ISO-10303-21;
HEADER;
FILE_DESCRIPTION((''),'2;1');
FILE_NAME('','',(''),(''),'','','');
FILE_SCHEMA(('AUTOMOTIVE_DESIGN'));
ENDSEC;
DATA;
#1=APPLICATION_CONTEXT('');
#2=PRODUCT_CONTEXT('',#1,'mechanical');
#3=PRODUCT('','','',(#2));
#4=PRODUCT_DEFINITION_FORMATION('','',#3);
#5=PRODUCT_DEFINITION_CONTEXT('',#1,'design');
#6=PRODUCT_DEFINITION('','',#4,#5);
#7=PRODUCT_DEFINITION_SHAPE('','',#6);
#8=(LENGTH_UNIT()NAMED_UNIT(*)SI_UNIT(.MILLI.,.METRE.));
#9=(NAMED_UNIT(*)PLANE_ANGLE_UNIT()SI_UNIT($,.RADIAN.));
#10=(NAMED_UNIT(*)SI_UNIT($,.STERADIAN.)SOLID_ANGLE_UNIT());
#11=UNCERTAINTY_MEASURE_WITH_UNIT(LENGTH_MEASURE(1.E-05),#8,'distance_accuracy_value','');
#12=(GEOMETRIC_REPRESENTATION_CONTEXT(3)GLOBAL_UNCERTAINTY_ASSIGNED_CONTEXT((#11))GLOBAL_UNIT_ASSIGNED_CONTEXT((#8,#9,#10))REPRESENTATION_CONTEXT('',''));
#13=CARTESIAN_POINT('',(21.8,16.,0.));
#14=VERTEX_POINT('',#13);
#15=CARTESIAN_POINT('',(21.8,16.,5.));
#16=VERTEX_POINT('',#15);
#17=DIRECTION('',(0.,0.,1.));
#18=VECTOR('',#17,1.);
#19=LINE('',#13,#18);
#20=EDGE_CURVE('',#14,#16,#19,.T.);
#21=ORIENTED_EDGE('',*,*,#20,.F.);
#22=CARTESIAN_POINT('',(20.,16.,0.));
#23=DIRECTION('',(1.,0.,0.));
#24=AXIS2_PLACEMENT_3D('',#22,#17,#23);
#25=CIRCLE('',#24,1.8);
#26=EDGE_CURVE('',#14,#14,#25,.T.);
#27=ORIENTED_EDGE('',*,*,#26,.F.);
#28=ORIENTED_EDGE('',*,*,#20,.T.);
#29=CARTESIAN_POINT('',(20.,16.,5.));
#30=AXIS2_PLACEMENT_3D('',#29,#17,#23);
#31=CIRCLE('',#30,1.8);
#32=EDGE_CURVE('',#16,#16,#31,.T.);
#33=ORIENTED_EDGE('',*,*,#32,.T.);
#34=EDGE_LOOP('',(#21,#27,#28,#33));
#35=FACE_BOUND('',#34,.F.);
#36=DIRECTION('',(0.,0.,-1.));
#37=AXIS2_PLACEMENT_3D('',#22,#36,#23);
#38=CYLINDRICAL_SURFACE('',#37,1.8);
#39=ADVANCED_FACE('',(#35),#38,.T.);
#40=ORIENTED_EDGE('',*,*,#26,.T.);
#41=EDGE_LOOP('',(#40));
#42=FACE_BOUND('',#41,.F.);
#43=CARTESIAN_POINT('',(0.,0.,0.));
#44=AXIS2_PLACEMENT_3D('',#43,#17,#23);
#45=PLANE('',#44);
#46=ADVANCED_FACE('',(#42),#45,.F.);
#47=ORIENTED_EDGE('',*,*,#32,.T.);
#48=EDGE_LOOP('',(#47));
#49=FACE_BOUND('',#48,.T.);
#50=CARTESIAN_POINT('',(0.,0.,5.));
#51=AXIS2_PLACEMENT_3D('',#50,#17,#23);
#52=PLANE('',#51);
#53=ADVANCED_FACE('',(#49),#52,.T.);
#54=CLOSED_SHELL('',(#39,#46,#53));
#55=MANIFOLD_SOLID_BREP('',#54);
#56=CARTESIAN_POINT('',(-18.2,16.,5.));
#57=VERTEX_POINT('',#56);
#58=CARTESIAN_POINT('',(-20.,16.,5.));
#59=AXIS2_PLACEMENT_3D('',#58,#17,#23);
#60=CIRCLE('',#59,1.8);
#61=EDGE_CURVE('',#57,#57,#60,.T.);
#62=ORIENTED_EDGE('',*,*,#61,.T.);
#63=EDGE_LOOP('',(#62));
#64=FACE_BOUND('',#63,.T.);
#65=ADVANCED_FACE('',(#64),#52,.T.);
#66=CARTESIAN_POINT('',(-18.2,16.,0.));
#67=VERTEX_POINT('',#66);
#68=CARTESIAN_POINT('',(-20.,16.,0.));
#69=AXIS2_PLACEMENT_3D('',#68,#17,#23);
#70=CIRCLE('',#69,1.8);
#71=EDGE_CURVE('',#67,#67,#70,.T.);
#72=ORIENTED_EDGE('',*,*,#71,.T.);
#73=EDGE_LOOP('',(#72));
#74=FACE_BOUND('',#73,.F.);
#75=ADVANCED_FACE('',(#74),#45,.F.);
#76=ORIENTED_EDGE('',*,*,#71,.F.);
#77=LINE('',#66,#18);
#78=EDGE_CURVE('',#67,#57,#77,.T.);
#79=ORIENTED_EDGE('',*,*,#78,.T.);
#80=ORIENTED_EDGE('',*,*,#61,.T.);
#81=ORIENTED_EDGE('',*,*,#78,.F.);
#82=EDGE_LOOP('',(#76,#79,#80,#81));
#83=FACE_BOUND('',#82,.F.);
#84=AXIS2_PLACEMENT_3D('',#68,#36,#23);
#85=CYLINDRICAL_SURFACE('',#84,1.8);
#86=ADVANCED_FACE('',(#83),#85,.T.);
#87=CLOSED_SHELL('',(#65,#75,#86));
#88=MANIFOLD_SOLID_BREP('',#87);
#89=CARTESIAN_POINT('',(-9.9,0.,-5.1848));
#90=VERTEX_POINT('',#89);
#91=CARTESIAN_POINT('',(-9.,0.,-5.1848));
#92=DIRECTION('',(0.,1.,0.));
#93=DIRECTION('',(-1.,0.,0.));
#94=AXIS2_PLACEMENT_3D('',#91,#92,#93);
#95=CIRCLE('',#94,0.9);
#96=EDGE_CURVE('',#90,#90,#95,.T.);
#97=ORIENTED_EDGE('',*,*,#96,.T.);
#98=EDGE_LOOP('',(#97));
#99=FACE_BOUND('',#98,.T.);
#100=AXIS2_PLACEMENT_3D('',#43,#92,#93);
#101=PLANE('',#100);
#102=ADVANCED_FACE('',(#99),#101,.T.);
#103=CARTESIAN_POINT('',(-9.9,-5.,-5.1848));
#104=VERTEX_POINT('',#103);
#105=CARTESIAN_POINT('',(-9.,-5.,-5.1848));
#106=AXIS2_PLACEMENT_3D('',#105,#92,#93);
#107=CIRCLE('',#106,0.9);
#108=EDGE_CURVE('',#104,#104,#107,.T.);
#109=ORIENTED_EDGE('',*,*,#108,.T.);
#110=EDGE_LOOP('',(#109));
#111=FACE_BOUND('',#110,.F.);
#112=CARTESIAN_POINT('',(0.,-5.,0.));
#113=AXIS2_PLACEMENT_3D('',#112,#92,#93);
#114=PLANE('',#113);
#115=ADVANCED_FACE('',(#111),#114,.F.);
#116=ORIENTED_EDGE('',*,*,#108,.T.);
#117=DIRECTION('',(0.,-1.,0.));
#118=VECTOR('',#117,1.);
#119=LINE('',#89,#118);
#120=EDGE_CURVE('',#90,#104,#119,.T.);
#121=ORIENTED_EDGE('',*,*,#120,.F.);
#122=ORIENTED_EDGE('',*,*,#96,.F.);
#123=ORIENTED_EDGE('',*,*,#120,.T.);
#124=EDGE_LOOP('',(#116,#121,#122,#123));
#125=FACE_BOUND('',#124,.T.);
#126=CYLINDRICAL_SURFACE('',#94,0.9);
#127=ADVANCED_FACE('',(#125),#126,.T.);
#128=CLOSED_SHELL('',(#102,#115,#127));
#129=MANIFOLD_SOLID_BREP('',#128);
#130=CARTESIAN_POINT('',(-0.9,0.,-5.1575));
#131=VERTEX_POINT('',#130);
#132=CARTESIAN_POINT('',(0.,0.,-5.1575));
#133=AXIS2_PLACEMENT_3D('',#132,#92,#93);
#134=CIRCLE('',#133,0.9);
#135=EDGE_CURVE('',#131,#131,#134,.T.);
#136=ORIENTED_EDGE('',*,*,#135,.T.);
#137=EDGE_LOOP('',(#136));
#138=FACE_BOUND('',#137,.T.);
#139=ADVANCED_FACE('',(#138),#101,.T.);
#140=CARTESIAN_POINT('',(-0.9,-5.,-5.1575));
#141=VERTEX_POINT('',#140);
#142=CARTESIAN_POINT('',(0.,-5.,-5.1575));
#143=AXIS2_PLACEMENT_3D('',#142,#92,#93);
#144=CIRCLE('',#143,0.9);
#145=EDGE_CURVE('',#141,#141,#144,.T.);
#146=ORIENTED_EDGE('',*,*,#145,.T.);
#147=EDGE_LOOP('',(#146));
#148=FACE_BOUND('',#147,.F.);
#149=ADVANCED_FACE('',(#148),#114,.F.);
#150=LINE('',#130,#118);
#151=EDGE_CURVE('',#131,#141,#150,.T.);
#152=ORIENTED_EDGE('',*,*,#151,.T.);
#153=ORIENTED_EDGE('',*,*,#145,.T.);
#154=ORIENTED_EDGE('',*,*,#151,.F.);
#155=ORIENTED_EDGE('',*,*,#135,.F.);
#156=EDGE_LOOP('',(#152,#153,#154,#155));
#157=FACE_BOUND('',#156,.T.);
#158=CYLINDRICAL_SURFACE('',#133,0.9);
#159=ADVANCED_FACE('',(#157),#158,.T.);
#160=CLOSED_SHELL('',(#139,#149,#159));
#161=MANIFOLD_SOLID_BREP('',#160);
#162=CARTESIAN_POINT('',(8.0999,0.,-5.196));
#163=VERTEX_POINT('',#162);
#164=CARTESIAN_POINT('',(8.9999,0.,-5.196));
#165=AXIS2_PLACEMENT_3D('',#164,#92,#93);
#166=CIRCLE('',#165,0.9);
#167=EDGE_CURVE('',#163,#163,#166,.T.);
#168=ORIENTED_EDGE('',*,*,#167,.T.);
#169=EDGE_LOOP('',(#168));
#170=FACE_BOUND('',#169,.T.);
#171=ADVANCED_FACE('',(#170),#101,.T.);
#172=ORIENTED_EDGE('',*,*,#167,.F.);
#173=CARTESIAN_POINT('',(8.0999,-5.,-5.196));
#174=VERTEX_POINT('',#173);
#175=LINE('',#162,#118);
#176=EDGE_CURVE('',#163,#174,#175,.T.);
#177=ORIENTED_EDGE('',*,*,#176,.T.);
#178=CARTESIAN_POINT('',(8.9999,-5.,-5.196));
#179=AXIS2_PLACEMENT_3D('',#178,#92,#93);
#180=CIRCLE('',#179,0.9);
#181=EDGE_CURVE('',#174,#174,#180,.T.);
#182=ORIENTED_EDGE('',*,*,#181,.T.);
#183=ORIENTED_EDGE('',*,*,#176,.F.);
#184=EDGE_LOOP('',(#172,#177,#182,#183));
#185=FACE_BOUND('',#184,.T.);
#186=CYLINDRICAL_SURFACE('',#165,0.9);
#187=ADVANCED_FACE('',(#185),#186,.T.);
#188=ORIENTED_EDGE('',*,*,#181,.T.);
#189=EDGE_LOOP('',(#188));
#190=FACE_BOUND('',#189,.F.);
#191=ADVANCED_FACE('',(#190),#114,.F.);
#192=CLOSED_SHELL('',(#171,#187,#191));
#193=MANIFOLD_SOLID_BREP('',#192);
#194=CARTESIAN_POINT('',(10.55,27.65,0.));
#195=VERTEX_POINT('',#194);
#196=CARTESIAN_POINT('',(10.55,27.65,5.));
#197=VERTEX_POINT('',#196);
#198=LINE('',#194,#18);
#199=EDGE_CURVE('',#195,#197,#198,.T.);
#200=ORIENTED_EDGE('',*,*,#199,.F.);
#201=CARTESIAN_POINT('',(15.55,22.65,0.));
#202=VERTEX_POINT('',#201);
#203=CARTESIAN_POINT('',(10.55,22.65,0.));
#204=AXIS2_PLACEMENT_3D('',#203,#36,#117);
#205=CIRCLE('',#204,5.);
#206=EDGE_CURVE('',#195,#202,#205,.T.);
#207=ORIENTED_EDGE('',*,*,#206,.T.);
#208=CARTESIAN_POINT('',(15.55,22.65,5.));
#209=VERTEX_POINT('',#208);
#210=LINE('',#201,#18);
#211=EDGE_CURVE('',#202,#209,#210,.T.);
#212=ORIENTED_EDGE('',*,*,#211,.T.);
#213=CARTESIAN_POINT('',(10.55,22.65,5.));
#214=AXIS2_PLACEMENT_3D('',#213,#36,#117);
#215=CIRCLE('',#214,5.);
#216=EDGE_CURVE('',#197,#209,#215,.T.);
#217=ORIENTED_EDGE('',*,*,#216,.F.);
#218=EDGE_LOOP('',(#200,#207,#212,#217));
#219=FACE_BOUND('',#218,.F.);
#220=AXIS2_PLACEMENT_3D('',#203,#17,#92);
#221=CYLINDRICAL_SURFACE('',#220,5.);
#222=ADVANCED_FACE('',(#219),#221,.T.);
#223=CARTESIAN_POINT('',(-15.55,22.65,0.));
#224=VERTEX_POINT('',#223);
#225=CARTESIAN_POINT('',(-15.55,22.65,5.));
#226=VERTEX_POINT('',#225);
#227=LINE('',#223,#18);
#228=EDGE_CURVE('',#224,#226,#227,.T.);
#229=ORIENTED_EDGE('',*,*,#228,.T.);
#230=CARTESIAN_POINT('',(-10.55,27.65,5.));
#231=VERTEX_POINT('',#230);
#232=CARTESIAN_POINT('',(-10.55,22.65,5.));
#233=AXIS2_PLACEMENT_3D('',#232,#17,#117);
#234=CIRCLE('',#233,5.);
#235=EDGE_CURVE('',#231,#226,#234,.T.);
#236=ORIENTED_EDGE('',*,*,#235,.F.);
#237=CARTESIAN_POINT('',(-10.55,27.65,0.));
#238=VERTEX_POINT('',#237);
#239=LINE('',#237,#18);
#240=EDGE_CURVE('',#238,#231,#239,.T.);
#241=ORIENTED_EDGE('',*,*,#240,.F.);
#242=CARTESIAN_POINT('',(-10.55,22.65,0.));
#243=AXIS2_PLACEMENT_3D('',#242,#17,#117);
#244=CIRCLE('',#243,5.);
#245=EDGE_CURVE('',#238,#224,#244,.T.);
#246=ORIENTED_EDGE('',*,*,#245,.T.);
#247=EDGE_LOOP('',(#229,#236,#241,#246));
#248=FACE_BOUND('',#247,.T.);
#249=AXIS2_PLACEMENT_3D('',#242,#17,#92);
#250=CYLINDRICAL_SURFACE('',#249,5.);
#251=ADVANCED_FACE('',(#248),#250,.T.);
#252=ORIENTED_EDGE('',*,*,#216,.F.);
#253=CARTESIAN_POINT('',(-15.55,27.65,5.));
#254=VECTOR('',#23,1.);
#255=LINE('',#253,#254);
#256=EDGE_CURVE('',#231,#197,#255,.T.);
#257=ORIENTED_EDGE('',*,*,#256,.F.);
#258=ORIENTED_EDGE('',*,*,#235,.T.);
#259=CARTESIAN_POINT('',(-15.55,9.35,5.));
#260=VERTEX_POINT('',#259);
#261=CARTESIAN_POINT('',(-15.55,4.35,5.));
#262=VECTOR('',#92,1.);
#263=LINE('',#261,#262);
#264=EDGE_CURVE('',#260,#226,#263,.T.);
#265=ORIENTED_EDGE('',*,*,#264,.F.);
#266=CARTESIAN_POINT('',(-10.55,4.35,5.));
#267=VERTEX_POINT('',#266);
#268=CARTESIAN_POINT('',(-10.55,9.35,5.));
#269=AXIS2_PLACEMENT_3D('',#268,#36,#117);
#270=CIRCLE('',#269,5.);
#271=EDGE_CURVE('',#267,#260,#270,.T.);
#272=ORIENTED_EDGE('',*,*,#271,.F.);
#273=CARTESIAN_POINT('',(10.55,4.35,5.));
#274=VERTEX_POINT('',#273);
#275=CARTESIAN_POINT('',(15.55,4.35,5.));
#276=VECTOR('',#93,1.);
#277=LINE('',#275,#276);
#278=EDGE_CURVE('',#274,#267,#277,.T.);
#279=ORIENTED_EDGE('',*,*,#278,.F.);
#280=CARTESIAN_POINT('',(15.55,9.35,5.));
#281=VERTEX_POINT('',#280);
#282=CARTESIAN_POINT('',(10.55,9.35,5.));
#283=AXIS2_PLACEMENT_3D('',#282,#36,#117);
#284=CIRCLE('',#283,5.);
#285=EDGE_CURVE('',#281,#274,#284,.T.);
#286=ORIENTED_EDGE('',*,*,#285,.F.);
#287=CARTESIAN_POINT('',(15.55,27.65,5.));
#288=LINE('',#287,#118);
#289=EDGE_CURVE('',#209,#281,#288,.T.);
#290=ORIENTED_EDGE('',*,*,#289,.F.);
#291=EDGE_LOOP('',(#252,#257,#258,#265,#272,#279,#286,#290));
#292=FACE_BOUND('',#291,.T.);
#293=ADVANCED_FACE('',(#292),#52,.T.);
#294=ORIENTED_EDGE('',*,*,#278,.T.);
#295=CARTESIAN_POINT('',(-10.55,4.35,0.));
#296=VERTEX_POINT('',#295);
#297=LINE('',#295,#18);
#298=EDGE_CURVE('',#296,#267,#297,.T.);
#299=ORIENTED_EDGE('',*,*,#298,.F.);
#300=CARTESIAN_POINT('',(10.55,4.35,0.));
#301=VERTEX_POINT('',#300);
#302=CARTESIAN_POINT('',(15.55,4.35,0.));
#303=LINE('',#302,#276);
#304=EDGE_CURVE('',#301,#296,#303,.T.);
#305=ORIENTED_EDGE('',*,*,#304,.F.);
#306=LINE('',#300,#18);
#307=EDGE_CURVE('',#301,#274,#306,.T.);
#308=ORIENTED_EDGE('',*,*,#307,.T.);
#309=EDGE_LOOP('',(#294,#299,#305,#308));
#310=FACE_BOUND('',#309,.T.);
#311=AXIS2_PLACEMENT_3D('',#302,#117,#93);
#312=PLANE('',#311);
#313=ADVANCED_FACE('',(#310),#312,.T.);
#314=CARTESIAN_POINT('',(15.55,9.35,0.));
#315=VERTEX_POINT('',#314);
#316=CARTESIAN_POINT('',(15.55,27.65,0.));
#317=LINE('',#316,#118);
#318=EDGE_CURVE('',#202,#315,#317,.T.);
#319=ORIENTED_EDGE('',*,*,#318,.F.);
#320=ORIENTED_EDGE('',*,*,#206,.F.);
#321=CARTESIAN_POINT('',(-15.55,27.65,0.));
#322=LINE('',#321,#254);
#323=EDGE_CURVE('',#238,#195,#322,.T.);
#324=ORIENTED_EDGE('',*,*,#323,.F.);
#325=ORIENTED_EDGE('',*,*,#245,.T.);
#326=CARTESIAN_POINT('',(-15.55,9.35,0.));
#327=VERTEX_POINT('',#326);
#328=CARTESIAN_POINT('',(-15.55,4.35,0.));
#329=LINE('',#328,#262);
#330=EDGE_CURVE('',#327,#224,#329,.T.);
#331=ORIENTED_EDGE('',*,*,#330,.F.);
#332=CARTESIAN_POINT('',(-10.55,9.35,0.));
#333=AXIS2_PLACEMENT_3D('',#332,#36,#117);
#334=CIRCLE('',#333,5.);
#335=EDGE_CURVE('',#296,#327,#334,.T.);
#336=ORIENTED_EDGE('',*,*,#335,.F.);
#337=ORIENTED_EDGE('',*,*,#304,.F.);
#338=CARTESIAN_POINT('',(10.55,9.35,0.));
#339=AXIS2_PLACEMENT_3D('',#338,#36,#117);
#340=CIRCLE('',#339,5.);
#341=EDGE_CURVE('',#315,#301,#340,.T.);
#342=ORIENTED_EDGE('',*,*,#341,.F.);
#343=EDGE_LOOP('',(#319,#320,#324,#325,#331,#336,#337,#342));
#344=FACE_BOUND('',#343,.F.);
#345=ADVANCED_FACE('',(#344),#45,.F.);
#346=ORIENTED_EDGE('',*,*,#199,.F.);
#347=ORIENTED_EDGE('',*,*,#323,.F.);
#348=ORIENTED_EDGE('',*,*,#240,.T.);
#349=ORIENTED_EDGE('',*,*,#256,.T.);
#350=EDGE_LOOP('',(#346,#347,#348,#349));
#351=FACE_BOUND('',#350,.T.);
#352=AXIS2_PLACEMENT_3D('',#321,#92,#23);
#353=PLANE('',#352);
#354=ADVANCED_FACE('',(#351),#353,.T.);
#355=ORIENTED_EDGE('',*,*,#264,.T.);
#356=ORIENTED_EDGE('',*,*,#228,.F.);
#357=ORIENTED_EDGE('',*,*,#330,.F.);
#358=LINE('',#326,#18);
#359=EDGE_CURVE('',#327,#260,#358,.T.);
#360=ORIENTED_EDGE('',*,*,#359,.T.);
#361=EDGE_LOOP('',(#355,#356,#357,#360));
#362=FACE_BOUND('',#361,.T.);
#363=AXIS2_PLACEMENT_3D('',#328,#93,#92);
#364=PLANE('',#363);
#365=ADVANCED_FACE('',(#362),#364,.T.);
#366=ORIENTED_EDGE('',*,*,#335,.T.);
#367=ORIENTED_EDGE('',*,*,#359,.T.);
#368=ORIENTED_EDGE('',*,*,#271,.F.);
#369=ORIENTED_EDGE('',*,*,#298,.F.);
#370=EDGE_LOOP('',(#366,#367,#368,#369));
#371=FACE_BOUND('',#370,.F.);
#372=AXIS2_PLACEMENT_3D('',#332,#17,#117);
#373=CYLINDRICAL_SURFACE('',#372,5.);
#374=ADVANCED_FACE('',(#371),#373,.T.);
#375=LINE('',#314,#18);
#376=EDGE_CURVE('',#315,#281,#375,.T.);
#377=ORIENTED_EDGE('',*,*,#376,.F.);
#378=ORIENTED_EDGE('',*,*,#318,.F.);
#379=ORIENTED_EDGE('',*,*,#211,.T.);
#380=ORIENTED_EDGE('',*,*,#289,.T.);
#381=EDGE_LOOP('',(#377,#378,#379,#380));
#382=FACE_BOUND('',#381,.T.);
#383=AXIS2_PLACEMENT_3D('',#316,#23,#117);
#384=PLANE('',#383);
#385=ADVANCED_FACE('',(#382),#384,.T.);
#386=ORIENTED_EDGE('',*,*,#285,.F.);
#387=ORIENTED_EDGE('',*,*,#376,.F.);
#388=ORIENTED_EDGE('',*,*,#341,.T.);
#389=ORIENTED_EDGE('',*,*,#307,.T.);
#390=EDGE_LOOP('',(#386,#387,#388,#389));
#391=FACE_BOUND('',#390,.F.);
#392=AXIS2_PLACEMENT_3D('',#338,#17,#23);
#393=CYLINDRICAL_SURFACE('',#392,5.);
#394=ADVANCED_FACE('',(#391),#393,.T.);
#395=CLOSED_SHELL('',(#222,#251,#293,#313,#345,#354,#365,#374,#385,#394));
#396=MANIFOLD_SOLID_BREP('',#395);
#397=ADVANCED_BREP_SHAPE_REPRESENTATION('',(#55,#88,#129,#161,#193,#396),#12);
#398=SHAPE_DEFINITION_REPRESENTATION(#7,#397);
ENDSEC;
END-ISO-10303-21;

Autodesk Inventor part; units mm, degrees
ref_plane "YZ Plane" through (0, 0, 0) normal (1, 0, 0) x (0, 1, 0)
ref_plane "XZ Plane" through (0, 0, 0) normal (0, 1, 0) x (-1, 0, 0)
ref_plane "XY Plane" through (0, 0, 0) normal (0, 0, 1) x (1, 0, 0)
sketch "Sketch1" plane through (0, 0, 0) normal (0, 0, 1) x (1, 0, 0)
  line L0 (-15.55, 27.65) -> (15.55, 27.65)
  line L1 (15.55, 27.65) -> (15.55, 4.35)
  line L2 (15.55, 4.35) -> (-15.55, 4.35)
  line L3 (-15.55, 4.35) -> (-15.55, 27.65)
  circle A0 centre (20, 16) radius 1.8
  circle A1 centre (-20, 16) radius 1.8
  point P0 (0, 0)
  dimension "d0" = 23.3
  dimension "d1" = 31.1
  dimension "d3" = 15.55
  dimension "d4" = 40
  dimension "d5" = 20
  dimension "d6" = 3.6
  dimension "d7" = 3.6
  dimension "d8" = 11.65
  dimension "d9" = 11.65
  dimension "d10" = 16
extrude "Extrusion1" add sketch "Sketch1" along normal blind 5
fillet "Fillet1" radius 5 1 edges at (15.55, 27.65, 2.5)
fillet "Fillet2" radius 5 1 edges at (-15.55, 27.65, 2.5)
fillet "Fillet3" radius 5 1 edges at (15.55, 4.35, 2.5)
fillet "Fillet4" radius 5 1 edges at (-15.55, 4.35, 2.5)
sketch "Sketch2" plane through (0, 0, 0) normal (0, 1, 0) x (-1, 0, 0)
  circle A0 centre (0, -5.1575) radius 0.9
  circle A1 centre (-8.9999, -5.196) radius 0.9
  circle A2 centre (9, -5.1848) radius 0.9
  point P0 (0, 0)
  dimension "d17" = 1.8
  dimension "d18" = 1.8
  dimension "d19" = 9
  dimension "d20" = 9
extrude "Extrusion2" add sketch "Sketch2" against normal blind 5
equation "\"d3\" = 0.5 * d1"
equation "\"d5\" = 0.5 * d4"
equation "\"d8\" = 0.5 * d0"
equation "\"d9\" = d8"
properties part number "AC entry module"
